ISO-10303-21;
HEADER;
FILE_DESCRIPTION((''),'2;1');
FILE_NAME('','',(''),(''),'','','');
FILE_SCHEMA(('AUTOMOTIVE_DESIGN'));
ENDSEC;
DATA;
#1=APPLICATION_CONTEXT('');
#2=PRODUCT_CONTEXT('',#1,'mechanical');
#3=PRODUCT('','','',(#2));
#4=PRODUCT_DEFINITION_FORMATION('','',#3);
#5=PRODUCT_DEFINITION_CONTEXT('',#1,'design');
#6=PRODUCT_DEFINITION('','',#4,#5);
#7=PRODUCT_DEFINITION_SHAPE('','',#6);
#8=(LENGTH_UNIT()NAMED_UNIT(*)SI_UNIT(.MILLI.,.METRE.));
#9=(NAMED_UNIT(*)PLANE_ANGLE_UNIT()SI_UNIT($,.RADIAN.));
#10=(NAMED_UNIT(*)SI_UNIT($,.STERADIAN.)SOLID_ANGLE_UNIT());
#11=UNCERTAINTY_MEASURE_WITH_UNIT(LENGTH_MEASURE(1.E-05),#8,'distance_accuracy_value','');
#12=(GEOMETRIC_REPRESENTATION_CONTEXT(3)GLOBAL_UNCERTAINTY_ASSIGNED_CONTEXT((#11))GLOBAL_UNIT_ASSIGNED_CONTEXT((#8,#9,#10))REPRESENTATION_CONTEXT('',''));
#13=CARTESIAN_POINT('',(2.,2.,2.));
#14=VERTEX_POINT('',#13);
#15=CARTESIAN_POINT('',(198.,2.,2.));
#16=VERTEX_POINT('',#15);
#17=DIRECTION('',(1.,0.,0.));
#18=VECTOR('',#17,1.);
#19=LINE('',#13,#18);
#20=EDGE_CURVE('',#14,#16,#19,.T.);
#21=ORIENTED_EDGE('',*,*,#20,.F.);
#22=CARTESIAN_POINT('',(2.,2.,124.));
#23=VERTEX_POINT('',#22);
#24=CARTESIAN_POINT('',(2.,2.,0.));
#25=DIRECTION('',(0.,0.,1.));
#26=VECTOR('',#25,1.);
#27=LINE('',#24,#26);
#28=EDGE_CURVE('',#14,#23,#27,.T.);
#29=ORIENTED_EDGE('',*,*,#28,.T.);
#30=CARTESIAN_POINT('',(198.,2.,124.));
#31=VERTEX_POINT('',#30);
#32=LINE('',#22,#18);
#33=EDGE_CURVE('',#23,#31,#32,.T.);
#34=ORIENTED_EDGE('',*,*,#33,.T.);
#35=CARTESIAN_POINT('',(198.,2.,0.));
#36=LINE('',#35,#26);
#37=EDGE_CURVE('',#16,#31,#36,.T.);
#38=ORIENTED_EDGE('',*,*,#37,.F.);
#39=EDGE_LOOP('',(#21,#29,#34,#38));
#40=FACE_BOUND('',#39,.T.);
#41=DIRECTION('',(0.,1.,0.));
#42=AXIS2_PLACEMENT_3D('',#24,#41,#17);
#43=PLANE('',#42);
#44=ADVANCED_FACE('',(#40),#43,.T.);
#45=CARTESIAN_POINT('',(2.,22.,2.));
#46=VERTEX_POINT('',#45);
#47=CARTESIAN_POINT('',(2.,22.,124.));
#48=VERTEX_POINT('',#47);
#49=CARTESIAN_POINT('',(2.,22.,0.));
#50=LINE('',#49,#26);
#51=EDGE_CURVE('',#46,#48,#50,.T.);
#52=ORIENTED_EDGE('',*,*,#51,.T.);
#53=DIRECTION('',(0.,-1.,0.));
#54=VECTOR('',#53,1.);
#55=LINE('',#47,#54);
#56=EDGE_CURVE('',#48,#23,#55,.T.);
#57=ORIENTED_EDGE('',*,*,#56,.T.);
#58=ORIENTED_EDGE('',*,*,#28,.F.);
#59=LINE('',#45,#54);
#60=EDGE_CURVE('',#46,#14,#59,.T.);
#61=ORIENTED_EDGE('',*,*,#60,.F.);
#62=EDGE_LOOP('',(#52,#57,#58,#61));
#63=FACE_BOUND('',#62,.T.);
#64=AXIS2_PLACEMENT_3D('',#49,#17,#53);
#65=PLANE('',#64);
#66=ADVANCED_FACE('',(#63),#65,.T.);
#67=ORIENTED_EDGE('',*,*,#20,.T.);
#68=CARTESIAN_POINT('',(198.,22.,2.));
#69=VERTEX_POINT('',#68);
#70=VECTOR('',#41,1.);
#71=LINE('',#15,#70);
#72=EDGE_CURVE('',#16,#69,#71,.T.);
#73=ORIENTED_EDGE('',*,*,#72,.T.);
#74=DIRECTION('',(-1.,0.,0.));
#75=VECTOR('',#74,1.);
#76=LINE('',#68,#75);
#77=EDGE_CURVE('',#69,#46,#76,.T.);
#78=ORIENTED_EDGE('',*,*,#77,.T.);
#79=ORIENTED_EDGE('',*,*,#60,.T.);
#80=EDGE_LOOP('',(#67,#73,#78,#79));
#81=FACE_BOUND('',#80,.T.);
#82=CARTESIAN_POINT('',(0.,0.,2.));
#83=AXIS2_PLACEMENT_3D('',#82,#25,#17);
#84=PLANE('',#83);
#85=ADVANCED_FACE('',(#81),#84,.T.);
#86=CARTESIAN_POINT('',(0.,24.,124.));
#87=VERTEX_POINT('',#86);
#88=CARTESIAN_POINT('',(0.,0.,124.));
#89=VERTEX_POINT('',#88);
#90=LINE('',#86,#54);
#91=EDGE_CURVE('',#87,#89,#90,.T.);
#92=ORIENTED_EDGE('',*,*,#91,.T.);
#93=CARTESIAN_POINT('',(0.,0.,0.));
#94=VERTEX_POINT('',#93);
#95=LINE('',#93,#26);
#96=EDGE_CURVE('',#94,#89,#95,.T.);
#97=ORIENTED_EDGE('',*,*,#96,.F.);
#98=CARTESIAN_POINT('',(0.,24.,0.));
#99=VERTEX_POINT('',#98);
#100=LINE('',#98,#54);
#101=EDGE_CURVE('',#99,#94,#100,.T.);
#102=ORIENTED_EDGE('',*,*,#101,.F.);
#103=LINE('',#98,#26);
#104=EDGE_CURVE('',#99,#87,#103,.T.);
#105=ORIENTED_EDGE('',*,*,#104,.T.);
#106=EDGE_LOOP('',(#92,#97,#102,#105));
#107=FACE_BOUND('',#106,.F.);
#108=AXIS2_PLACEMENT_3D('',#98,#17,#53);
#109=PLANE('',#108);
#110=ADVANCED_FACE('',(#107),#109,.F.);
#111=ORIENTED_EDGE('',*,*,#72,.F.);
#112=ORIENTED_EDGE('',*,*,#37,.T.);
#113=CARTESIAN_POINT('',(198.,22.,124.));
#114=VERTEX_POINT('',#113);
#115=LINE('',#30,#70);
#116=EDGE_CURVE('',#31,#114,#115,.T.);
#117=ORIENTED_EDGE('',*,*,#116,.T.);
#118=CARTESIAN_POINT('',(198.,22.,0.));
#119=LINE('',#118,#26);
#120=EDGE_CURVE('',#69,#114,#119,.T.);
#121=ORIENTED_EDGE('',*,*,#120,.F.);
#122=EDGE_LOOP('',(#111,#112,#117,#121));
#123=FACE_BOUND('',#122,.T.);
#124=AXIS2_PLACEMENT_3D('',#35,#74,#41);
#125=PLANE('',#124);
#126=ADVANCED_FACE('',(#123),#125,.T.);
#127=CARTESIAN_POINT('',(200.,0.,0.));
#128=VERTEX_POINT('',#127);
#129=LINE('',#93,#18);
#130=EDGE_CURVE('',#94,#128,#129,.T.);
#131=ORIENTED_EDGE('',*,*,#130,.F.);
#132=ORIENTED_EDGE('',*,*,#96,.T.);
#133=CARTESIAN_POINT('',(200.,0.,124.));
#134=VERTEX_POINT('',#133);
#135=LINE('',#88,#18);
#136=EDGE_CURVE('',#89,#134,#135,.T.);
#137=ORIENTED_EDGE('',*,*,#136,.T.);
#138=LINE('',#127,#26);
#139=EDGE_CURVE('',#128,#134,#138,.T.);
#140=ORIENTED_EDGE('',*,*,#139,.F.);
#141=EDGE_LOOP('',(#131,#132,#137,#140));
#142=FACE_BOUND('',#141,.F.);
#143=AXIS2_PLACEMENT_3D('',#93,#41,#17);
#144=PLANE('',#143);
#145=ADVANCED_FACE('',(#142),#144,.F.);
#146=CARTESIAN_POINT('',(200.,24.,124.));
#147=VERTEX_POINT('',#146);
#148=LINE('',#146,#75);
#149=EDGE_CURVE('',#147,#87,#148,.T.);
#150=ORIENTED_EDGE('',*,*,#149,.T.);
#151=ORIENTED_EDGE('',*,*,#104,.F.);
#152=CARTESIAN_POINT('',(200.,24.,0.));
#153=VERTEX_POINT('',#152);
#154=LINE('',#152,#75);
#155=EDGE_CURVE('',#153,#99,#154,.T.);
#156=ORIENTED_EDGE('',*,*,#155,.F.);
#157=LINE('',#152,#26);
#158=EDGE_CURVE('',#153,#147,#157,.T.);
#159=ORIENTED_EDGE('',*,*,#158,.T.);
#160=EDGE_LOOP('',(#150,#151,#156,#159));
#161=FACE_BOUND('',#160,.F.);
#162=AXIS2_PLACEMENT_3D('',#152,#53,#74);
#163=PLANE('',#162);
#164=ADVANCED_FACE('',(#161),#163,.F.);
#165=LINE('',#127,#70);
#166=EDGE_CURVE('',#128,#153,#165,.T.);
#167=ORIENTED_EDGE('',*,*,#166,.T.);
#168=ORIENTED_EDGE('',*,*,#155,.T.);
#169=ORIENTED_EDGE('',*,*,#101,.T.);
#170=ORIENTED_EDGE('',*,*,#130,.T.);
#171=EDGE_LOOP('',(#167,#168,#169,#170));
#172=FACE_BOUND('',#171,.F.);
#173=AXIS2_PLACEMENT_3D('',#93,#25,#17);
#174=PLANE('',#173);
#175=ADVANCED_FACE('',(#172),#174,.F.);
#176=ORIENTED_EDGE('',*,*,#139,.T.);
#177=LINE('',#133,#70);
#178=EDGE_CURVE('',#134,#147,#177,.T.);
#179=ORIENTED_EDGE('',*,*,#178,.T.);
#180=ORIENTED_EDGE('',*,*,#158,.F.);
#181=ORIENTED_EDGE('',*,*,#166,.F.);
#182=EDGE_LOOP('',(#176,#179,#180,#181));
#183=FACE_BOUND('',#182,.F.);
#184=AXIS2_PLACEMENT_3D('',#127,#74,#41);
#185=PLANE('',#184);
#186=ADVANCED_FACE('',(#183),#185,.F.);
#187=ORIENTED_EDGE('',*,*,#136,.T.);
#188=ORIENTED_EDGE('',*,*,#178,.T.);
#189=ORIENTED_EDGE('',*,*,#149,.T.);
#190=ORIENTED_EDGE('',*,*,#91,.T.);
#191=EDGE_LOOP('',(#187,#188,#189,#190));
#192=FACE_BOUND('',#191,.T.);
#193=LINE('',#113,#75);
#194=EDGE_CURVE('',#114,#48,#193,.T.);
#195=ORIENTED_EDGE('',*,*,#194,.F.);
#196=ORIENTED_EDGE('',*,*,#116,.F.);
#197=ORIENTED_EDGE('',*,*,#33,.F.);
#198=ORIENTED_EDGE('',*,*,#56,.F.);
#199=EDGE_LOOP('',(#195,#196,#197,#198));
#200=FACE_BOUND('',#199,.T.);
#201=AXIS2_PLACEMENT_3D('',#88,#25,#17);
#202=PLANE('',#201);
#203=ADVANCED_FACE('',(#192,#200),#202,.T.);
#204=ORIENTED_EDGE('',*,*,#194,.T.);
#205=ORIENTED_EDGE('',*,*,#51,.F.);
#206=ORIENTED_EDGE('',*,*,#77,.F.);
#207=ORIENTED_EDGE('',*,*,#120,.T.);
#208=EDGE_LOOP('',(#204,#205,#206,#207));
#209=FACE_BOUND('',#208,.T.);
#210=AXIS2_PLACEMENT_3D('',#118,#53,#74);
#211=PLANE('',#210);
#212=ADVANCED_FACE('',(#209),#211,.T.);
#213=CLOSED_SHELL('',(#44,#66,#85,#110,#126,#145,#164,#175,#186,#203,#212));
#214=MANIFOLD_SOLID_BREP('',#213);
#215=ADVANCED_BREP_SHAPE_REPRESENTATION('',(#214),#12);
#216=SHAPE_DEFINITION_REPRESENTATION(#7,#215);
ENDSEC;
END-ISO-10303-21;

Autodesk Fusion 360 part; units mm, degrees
sketch "Skizze1" plane through (0, 0, 0) normal (0, 0, 1) x (1, 0, 0)
  line L0 (0, 0) -> (200, 0)
  line L1 (200, 0) -> (200, 24)
  line L2 (200, 24) -> (0, 24)
  line L3 (0, 24) -> (0, 0)
  line L4 (2, 2) -> (198, 2)
  line L5 (198, 2) -> (198, 22)
  line L6 (198, 22) -> (2, 22)
  line L7 (2, 22) -> (2, 2)
  dimension "d1" = 200
  dimension "d2" = 24
extrude "Extrusion1" add sketch "Skizze1" along normal blind 2 contours L4 L5 L6 L7
extrude "Extrusion2" add sketch "Skizze1" along normal blind 124
